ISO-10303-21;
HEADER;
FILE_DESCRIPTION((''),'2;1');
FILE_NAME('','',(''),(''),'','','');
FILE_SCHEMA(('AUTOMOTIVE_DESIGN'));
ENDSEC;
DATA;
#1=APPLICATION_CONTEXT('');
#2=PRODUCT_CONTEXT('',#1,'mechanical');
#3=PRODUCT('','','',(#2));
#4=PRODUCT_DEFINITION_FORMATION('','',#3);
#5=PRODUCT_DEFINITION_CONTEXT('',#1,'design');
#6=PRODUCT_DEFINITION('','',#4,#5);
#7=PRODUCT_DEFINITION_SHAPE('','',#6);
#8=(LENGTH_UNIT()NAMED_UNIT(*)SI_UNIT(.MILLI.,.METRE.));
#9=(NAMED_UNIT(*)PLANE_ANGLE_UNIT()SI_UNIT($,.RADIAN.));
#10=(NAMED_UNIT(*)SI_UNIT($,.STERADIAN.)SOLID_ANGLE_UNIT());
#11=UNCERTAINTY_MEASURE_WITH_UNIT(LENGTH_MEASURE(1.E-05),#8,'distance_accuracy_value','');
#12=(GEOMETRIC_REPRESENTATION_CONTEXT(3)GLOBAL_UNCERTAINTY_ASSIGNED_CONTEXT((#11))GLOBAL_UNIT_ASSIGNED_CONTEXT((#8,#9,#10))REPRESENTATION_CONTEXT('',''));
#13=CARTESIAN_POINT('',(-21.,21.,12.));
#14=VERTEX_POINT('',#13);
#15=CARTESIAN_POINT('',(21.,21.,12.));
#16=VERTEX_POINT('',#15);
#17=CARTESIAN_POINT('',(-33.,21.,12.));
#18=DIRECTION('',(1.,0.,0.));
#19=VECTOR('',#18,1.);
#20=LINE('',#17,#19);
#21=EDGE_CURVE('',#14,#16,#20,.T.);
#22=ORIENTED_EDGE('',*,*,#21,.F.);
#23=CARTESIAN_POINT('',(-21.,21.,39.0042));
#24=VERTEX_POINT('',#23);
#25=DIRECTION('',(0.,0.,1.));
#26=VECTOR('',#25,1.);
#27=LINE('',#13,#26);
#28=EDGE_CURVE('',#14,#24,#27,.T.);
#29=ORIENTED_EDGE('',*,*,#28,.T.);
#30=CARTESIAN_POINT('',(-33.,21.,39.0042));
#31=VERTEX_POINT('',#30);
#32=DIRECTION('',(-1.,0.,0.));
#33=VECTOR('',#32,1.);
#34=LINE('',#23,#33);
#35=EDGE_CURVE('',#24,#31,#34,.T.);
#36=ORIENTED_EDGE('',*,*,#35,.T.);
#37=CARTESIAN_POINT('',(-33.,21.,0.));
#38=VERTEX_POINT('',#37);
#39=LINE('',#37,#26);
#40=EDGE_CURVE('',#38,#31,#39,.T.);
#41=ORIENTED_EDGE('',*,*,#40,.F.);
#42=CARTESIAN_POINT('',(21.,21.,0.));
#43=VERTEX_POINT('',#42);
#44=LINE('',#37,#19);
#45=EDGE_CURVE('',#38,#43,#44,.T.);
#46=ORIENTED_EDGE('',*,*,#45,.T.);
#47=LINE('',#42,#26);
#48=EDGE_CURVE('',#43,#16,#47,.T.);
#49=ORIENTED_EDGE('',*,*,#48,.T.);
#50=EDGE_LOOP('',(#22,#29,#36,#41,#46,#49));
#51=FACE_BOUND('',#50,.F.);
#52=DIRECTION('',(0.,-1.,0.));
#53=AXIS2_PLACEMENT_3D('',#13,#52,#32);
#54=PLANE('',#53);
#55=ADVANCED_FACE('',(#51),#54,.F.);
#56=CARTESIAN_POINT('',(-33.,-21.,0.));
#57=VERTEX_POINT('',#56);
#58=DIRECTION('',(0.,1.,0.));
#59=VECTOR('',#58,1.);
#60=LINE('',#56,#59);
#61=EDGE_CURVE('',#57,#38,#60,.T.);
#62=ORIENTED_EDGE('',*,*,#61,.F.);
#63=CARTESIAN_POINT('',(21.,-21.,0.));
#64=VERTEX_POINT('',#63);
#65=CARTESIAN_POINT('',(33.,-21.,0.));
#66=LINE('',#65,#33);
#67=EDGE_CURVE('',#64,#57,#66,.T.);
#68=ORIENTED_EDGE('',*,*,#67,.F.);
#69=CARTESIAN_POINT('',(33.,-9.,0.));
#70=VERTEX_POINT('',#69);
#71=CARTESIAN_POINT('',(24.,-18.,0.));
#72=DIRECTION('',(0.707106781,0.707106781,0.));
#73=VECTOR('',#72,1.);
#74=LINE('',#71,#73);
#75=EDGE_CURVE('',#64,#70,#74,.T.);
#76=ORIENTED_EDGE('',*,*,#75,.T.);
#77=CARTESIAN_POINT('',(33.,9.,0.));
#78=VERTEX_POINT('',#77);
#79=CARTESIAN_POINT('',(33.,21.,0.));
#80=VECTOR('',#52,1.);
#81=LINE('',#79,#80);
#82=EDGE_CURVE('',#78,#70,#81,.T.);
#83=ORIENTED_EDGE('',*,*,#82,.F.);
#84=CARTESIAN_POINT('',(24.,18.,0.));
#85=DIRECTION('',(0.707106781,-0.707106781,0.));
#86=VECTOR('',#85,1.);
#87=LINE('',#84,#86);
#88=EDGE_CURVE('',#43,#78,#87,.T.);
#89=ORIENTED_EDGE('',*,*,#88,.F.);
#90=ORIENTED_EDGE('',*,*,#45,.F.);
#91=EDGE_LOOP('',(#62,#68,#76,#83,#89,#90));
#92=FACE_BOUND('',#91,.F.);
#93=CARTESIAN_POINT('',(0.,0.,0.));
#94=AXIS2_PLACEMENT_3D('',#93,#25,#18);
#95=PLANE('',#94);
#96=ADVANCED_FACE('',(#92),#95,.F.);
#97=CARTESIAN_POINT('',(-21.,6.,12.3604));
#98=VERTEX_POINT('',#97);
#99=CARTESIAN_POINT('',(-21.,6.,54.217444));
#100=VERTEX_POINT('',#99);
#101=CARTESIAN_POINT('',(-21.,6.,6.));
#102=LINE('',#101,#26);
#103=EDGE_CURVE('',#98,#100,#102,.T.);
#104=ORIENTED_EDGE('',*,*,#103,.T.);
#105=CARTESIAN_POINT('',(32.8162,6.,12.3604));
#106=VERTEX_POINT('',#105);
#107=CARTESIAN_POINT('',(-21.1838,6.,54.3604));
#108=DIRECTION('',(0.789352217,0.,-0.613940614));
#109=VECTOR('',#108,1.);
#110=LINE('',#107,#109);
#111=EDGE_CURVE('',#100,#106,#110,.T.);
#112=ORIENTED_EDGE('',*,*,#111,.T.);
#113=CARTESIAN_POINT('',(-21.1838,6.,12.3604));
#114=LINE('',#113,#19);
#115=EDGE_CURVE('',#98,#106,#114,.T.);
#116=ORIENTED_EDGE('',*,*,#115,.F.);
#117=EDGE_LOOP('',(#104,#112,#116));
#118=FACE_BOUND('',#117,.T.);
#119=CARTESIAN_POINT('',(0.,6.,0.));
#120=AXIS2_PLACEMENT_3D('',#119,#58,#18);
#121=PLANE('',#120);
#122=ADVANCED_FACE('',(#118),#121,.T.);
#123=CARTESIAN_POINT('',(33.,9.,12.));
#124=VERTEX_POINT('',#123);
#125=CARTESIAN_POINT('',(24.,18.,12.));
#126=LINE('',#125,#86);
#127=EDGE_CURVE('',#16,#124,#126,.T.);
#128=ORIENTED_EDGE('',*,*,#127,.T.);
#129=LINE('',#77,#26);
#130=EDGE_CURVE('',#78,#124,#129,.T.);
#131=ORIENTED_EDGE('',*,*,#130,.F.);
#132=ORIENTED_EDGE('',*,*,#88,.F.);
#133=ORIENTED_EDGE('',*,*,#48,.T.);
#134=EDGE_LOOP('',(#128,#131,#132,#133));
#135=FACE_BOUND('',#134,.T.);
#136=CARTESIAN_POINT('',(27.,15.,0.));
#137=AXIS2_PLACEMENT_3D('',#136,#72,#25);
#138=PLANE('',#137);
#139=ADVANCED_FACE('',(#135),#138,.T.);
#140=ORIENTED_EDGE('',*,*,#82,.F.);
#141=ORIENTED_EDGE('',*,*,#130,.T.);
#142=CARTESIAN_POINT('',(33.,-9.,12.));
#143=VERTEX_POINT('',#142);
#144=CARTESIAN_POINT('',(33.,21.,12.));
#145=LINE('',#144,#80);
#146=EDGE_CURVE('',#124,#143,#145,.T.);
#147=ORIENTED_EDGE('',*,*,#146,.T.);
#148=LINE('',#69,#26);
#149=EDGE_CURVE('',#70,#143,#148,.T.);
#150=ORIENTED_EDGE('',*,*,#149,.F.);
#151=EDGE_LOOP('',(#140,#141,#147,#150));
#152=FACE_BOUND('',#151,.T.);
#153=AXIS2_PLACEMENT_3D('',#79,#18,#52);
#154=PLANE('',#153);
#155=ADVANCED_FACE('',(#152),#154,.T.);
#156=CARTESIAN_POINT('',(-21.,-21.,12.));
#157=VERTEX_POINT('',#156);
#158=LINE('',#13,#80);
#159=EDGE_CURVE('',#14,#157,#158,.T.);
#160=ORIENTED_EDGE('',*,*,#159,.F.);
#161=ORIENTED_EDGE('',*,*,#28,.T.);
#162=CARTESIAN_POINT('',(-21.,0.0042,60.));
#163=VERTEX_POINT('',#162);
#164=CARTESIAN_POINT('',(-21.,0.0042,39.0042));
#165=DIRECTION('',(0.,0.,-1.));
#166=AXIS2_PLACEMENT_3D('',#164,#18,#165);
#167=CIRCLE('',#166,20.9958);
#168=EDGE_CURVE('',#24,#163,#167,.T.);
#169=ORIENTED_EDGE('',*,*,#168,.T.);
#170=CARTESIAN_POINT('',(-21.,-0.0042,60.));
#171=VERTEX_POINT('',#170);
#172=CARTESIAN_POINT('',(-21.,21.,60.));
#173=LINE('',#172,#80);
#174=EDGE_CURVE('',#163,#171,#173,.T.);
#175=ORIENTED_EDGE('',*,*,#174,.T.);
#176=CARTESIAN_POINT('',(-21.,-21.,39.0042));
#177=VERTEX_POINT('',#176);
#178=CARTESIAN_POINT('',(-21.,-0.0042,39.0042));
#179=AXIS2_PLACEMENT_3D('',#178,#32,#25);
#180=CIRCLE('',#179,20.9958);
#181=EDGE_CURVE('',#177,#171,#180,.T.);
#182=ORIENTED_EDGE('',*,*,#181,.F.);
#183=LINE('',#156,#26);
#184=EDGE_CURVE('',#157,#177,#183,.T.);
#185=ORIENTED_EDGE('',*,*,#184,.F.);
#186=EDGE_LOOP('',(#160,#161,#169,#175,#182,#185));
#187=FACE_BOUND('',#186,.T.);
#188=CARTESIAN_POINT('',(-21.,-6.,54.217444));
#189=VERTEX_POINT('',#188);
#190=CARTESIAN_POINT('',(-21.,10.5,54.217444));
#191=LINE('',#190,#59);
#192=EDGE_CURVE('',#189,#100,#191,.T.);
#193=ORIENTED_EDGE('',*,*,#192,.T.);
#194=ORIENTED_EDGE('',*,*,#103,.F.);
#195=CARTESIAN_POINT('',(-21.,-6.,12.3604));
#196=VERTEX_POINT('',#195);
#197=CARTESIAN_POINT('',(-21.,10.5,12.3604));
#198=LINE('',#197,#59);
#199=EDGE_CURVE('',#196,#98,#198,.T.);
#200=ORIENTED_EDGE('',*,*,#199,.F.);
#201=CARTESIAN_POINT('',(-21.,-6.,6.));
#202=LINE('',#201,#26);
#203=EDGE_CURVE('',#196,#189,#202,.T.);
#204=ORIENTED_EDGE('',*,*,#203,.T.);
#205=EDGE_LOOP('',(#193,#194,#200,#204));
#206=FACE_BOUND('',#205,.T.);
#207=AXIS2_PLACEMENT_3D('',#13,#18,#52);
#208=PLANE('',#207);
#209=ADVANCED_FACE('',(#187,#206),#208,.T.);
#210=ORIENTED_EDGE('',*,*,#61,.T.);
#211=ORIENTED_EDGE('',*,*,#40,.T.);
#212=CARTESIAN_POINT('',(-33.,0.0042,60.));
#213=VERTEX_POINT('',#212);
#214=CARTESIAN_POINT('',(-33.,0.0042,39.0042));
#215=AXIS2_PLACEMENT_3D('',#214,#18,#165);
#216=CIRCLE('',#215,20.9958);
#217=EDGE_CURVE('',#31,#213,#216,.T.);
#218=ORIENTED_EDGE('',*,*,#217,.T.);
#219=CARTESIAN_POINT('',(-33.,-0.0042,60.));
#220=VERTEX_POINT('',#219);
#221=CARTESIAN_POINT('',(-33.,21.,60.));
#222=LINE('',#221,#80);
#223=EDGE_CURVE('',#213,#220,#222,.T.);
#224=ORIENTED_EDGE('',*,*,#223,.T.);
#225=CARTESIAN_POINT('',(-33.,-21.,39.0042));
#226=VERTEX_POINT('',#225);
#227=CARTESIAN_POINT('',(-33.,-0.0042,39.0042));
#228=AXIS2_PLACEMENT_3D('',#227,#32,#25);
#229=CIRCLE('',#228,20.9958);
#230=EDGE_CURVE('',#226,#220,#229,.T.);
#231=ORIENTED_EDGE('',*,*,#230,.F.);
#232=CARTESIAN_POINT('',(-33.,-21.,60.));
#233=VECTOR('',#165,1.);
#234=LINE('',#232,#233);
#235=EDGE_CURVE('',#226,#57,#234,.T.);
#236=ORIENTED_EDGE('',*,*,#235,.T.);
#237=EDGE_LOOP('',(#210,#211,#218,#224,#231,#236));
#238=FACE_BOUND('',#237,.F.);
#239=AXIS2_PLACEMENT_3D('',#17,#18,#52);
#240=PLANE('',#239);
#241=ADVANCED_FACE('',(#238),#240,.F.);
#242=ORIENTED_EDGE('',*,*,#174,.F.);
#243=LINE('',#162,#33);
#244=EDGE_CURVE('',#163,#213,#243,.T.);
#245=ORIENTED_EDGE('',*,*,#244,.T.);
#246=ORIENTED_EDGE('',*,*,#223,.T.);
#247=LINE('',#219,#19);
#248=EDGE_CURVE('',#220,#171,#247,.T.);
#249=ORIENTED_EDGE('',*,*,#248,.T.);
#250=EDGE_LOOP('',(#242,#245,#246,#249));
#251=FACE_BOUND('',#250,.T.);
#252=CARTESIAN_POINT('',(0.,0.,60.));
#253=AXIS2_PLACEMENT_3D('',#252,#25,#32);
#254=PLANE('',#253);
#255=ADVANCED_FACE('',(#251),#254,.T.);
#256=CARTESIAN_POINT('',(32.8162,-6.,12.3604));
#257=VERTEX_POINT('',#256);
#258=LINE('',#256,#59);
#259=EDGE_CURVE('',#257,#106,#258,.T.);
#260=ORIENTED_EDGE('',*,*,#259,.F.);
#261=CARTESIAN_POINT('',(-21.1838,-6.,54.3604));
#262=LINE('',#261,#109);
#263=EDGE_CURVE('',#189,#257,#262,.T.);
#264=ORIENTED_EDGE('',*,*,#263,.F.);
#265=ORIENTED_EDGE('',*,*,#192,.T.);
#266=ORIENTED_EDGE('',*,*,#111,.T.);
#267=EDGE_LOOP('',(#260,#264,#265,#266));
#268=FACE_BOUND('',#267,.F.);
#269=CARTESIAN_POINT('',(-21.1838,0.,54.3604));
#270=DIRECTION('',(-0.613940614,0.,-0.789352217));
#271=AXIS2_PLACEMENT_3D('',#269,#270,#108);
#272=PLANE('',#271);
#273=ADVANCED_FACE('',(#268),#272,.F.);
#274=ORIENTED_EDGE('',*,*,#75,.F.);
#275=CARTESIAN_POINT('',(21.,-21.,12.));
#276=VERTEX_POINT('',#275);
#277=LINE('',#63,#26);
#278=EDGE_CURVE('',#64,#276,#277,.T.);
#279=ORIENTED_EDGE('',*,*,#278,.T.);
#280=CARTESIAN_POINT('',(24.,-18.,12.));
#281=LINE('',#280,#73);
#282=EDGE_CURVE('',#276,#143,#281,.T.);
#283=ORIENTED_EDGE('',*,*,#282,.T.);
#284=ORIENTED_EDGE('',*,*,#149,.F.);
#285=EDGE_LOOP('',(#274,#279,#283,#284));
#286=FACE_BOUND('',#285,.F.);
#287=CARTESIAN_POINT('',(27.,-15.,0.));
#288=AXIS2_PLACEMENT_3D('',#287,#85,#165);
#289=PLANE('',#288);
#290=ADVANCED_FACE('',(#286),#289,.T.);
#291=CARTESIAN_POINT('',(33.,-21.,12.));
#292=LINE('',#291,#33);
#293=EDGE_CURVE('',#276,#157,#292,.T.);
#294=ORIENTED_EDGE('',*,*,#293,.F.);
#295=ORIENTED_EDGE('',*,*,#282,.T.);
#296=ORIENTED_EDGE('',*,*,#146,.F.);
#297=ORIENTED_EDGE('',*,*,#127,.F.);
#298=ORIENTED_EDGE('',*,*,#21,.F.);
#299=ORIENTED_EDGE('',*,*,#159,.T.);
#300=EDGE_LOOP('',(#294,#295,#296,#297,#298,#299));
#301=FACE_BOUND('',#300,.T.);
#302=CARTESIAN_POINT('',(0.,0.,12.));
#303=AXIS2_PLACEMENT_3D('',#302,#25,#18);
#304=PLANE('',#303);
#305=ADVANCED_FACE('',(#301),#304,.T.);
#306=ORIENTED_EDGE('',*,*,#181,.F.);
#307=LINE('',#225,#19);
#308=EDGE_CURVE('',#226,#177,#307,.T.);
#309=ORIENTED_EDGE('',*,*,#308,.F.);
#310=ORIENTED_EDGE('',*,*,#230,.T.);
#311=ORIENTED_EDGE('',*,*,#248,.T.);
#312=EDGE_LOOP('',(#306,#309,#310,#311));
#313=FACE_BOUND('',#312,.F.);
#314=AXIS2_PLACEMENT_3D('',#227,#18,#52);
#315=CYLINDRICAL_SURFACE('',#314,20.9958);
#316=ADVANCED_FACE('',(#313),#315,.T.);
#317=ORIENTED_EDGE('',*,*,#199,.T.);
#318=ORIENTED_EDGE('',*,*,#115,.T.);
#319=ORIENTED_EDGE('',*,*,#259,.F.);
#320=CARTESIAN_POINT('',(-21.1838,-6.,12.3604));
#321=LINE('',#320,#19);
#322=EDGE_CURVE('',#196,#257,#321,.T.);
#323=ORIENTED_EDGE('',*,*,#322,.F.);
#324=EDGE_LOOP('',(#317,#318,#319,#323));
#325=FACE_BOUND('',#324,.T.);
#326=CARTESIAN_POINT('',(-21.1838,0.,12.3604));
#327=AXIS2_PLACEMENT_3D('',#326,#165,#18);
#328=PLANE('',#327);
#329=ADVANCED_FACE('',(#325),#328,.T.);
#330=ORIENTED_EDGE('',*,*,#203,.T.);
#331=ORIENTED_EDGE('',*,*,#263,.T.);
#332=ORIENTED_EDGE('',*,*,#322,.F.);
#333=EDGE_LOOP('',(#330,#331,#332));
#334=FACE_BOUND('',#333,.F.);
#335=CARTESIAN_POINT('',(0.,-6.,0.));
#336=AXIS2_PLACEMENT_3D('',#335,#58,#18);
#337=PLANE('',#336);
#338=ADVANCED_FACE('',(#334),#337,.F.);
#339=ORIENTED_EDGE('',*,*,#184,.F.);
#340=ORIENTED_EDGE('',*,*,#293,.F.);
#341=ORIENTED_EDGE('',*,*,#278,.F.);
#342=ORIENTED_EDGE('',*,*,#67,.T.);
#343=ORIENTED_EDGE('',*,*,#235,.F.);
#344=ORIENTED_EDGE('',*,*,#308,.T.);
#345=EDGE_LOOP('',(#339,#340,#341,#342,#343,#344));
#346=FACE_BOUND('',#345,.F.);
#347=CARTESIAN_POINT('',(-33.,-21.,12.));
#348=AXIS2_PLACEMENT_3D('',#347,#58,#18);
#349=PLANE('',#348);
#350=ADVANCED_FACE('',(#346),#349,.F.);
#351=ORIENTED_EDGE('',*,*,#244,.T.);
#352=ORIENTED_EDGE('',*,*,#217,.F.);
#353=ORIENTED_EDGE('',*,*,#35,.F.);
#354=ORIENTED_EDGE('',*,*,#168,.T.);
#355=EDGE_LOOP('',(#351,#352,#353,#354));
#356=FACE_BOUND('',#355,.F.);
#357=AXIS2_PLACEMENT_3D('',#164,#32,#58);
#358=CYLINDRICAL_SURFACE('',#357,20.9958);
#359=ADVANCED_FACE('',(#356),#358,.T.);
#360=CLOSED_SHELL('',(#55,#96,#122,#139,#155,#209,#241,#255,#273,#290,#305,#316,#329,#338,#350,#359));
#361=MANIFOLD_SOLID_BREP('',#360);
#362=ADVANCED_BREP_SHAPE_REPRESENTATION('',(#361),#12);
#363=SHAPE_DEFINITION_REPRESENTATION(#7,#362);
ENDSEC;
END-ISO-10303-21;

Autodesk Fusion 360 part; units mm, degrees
sketch "Sketch2" plane through (0, 0, 0) normal (0, 0, 1) x (1, 0, 0)
  line L0 (33, -21) -> (-33, -21)
  line L1 (-33, -21) -> (-33, 21)
  line L2 (-33, 21) -> (33, 21)
  line L3 (33, 21) -> (33, -21)
  line L4 (33, -21) -> (-33, 21) construction
  line L5 (-33, -21) -> (33, 21) construction
  dimension "d1" = 66
  dimension "d2" = 42
extrude "Extrude1" add sketch "Sketch2" along normal blind 12
chamfer "Chamfer1" distance 12 angle 45 2 edges at (33, -21, 6) (33, 21, 6)
sketch "Sketch3" plane through (0, 0, 12) normal (0, 0, 1) x (-1, 0, 0)
  line L0 (-33, -9) -> (-21, -21)
  line L1 (-21, -21) -> (33, -21)
  line L2 (33, -21) -> (33, 21)
  line L3 (33, 21) -> (-21, 21)
  line L4 (-21, 21) -> (-33, 9)
  line L5 (-33, 9) -> (-33, -9)
  line L6 (33, -21) -> (21, -21)
  line L7 (21, -21) -> (21, 21)
  line L8 (21, 21) -> (33, 21)
  line L9 (33, 21) -> (33, -21)
  dimension "d6" = 12
extrude "Extrude2" add sketch "Sketch3" along normal blind 48 contours L1 L2 L3 L6 L7 L8 L9
fillet "Fillet1" radius 21 2 edges at (-27, -21, 60) (-27, 21, 60)
sketch "Sketch4" plane through (0, 0, 0) normal (0, 1, 0) x (1, 0, 0)
  line L0 (-21.1838, -54.3604) -> (-21.1838, -12.3604)
  line L1 (-21.1838, -12.3604) -> (32.8162, -12.3604)
  line L2 (-21.1838, -54.3604) -> (32.8162, -12.3604)
  dimension "d11" = 42
  dimension "d12" = 54
extrude "Extrude3" add sketch "Sketch4" along normal mid plane 12
equation "d12 = 66 mm - 12 mm"
